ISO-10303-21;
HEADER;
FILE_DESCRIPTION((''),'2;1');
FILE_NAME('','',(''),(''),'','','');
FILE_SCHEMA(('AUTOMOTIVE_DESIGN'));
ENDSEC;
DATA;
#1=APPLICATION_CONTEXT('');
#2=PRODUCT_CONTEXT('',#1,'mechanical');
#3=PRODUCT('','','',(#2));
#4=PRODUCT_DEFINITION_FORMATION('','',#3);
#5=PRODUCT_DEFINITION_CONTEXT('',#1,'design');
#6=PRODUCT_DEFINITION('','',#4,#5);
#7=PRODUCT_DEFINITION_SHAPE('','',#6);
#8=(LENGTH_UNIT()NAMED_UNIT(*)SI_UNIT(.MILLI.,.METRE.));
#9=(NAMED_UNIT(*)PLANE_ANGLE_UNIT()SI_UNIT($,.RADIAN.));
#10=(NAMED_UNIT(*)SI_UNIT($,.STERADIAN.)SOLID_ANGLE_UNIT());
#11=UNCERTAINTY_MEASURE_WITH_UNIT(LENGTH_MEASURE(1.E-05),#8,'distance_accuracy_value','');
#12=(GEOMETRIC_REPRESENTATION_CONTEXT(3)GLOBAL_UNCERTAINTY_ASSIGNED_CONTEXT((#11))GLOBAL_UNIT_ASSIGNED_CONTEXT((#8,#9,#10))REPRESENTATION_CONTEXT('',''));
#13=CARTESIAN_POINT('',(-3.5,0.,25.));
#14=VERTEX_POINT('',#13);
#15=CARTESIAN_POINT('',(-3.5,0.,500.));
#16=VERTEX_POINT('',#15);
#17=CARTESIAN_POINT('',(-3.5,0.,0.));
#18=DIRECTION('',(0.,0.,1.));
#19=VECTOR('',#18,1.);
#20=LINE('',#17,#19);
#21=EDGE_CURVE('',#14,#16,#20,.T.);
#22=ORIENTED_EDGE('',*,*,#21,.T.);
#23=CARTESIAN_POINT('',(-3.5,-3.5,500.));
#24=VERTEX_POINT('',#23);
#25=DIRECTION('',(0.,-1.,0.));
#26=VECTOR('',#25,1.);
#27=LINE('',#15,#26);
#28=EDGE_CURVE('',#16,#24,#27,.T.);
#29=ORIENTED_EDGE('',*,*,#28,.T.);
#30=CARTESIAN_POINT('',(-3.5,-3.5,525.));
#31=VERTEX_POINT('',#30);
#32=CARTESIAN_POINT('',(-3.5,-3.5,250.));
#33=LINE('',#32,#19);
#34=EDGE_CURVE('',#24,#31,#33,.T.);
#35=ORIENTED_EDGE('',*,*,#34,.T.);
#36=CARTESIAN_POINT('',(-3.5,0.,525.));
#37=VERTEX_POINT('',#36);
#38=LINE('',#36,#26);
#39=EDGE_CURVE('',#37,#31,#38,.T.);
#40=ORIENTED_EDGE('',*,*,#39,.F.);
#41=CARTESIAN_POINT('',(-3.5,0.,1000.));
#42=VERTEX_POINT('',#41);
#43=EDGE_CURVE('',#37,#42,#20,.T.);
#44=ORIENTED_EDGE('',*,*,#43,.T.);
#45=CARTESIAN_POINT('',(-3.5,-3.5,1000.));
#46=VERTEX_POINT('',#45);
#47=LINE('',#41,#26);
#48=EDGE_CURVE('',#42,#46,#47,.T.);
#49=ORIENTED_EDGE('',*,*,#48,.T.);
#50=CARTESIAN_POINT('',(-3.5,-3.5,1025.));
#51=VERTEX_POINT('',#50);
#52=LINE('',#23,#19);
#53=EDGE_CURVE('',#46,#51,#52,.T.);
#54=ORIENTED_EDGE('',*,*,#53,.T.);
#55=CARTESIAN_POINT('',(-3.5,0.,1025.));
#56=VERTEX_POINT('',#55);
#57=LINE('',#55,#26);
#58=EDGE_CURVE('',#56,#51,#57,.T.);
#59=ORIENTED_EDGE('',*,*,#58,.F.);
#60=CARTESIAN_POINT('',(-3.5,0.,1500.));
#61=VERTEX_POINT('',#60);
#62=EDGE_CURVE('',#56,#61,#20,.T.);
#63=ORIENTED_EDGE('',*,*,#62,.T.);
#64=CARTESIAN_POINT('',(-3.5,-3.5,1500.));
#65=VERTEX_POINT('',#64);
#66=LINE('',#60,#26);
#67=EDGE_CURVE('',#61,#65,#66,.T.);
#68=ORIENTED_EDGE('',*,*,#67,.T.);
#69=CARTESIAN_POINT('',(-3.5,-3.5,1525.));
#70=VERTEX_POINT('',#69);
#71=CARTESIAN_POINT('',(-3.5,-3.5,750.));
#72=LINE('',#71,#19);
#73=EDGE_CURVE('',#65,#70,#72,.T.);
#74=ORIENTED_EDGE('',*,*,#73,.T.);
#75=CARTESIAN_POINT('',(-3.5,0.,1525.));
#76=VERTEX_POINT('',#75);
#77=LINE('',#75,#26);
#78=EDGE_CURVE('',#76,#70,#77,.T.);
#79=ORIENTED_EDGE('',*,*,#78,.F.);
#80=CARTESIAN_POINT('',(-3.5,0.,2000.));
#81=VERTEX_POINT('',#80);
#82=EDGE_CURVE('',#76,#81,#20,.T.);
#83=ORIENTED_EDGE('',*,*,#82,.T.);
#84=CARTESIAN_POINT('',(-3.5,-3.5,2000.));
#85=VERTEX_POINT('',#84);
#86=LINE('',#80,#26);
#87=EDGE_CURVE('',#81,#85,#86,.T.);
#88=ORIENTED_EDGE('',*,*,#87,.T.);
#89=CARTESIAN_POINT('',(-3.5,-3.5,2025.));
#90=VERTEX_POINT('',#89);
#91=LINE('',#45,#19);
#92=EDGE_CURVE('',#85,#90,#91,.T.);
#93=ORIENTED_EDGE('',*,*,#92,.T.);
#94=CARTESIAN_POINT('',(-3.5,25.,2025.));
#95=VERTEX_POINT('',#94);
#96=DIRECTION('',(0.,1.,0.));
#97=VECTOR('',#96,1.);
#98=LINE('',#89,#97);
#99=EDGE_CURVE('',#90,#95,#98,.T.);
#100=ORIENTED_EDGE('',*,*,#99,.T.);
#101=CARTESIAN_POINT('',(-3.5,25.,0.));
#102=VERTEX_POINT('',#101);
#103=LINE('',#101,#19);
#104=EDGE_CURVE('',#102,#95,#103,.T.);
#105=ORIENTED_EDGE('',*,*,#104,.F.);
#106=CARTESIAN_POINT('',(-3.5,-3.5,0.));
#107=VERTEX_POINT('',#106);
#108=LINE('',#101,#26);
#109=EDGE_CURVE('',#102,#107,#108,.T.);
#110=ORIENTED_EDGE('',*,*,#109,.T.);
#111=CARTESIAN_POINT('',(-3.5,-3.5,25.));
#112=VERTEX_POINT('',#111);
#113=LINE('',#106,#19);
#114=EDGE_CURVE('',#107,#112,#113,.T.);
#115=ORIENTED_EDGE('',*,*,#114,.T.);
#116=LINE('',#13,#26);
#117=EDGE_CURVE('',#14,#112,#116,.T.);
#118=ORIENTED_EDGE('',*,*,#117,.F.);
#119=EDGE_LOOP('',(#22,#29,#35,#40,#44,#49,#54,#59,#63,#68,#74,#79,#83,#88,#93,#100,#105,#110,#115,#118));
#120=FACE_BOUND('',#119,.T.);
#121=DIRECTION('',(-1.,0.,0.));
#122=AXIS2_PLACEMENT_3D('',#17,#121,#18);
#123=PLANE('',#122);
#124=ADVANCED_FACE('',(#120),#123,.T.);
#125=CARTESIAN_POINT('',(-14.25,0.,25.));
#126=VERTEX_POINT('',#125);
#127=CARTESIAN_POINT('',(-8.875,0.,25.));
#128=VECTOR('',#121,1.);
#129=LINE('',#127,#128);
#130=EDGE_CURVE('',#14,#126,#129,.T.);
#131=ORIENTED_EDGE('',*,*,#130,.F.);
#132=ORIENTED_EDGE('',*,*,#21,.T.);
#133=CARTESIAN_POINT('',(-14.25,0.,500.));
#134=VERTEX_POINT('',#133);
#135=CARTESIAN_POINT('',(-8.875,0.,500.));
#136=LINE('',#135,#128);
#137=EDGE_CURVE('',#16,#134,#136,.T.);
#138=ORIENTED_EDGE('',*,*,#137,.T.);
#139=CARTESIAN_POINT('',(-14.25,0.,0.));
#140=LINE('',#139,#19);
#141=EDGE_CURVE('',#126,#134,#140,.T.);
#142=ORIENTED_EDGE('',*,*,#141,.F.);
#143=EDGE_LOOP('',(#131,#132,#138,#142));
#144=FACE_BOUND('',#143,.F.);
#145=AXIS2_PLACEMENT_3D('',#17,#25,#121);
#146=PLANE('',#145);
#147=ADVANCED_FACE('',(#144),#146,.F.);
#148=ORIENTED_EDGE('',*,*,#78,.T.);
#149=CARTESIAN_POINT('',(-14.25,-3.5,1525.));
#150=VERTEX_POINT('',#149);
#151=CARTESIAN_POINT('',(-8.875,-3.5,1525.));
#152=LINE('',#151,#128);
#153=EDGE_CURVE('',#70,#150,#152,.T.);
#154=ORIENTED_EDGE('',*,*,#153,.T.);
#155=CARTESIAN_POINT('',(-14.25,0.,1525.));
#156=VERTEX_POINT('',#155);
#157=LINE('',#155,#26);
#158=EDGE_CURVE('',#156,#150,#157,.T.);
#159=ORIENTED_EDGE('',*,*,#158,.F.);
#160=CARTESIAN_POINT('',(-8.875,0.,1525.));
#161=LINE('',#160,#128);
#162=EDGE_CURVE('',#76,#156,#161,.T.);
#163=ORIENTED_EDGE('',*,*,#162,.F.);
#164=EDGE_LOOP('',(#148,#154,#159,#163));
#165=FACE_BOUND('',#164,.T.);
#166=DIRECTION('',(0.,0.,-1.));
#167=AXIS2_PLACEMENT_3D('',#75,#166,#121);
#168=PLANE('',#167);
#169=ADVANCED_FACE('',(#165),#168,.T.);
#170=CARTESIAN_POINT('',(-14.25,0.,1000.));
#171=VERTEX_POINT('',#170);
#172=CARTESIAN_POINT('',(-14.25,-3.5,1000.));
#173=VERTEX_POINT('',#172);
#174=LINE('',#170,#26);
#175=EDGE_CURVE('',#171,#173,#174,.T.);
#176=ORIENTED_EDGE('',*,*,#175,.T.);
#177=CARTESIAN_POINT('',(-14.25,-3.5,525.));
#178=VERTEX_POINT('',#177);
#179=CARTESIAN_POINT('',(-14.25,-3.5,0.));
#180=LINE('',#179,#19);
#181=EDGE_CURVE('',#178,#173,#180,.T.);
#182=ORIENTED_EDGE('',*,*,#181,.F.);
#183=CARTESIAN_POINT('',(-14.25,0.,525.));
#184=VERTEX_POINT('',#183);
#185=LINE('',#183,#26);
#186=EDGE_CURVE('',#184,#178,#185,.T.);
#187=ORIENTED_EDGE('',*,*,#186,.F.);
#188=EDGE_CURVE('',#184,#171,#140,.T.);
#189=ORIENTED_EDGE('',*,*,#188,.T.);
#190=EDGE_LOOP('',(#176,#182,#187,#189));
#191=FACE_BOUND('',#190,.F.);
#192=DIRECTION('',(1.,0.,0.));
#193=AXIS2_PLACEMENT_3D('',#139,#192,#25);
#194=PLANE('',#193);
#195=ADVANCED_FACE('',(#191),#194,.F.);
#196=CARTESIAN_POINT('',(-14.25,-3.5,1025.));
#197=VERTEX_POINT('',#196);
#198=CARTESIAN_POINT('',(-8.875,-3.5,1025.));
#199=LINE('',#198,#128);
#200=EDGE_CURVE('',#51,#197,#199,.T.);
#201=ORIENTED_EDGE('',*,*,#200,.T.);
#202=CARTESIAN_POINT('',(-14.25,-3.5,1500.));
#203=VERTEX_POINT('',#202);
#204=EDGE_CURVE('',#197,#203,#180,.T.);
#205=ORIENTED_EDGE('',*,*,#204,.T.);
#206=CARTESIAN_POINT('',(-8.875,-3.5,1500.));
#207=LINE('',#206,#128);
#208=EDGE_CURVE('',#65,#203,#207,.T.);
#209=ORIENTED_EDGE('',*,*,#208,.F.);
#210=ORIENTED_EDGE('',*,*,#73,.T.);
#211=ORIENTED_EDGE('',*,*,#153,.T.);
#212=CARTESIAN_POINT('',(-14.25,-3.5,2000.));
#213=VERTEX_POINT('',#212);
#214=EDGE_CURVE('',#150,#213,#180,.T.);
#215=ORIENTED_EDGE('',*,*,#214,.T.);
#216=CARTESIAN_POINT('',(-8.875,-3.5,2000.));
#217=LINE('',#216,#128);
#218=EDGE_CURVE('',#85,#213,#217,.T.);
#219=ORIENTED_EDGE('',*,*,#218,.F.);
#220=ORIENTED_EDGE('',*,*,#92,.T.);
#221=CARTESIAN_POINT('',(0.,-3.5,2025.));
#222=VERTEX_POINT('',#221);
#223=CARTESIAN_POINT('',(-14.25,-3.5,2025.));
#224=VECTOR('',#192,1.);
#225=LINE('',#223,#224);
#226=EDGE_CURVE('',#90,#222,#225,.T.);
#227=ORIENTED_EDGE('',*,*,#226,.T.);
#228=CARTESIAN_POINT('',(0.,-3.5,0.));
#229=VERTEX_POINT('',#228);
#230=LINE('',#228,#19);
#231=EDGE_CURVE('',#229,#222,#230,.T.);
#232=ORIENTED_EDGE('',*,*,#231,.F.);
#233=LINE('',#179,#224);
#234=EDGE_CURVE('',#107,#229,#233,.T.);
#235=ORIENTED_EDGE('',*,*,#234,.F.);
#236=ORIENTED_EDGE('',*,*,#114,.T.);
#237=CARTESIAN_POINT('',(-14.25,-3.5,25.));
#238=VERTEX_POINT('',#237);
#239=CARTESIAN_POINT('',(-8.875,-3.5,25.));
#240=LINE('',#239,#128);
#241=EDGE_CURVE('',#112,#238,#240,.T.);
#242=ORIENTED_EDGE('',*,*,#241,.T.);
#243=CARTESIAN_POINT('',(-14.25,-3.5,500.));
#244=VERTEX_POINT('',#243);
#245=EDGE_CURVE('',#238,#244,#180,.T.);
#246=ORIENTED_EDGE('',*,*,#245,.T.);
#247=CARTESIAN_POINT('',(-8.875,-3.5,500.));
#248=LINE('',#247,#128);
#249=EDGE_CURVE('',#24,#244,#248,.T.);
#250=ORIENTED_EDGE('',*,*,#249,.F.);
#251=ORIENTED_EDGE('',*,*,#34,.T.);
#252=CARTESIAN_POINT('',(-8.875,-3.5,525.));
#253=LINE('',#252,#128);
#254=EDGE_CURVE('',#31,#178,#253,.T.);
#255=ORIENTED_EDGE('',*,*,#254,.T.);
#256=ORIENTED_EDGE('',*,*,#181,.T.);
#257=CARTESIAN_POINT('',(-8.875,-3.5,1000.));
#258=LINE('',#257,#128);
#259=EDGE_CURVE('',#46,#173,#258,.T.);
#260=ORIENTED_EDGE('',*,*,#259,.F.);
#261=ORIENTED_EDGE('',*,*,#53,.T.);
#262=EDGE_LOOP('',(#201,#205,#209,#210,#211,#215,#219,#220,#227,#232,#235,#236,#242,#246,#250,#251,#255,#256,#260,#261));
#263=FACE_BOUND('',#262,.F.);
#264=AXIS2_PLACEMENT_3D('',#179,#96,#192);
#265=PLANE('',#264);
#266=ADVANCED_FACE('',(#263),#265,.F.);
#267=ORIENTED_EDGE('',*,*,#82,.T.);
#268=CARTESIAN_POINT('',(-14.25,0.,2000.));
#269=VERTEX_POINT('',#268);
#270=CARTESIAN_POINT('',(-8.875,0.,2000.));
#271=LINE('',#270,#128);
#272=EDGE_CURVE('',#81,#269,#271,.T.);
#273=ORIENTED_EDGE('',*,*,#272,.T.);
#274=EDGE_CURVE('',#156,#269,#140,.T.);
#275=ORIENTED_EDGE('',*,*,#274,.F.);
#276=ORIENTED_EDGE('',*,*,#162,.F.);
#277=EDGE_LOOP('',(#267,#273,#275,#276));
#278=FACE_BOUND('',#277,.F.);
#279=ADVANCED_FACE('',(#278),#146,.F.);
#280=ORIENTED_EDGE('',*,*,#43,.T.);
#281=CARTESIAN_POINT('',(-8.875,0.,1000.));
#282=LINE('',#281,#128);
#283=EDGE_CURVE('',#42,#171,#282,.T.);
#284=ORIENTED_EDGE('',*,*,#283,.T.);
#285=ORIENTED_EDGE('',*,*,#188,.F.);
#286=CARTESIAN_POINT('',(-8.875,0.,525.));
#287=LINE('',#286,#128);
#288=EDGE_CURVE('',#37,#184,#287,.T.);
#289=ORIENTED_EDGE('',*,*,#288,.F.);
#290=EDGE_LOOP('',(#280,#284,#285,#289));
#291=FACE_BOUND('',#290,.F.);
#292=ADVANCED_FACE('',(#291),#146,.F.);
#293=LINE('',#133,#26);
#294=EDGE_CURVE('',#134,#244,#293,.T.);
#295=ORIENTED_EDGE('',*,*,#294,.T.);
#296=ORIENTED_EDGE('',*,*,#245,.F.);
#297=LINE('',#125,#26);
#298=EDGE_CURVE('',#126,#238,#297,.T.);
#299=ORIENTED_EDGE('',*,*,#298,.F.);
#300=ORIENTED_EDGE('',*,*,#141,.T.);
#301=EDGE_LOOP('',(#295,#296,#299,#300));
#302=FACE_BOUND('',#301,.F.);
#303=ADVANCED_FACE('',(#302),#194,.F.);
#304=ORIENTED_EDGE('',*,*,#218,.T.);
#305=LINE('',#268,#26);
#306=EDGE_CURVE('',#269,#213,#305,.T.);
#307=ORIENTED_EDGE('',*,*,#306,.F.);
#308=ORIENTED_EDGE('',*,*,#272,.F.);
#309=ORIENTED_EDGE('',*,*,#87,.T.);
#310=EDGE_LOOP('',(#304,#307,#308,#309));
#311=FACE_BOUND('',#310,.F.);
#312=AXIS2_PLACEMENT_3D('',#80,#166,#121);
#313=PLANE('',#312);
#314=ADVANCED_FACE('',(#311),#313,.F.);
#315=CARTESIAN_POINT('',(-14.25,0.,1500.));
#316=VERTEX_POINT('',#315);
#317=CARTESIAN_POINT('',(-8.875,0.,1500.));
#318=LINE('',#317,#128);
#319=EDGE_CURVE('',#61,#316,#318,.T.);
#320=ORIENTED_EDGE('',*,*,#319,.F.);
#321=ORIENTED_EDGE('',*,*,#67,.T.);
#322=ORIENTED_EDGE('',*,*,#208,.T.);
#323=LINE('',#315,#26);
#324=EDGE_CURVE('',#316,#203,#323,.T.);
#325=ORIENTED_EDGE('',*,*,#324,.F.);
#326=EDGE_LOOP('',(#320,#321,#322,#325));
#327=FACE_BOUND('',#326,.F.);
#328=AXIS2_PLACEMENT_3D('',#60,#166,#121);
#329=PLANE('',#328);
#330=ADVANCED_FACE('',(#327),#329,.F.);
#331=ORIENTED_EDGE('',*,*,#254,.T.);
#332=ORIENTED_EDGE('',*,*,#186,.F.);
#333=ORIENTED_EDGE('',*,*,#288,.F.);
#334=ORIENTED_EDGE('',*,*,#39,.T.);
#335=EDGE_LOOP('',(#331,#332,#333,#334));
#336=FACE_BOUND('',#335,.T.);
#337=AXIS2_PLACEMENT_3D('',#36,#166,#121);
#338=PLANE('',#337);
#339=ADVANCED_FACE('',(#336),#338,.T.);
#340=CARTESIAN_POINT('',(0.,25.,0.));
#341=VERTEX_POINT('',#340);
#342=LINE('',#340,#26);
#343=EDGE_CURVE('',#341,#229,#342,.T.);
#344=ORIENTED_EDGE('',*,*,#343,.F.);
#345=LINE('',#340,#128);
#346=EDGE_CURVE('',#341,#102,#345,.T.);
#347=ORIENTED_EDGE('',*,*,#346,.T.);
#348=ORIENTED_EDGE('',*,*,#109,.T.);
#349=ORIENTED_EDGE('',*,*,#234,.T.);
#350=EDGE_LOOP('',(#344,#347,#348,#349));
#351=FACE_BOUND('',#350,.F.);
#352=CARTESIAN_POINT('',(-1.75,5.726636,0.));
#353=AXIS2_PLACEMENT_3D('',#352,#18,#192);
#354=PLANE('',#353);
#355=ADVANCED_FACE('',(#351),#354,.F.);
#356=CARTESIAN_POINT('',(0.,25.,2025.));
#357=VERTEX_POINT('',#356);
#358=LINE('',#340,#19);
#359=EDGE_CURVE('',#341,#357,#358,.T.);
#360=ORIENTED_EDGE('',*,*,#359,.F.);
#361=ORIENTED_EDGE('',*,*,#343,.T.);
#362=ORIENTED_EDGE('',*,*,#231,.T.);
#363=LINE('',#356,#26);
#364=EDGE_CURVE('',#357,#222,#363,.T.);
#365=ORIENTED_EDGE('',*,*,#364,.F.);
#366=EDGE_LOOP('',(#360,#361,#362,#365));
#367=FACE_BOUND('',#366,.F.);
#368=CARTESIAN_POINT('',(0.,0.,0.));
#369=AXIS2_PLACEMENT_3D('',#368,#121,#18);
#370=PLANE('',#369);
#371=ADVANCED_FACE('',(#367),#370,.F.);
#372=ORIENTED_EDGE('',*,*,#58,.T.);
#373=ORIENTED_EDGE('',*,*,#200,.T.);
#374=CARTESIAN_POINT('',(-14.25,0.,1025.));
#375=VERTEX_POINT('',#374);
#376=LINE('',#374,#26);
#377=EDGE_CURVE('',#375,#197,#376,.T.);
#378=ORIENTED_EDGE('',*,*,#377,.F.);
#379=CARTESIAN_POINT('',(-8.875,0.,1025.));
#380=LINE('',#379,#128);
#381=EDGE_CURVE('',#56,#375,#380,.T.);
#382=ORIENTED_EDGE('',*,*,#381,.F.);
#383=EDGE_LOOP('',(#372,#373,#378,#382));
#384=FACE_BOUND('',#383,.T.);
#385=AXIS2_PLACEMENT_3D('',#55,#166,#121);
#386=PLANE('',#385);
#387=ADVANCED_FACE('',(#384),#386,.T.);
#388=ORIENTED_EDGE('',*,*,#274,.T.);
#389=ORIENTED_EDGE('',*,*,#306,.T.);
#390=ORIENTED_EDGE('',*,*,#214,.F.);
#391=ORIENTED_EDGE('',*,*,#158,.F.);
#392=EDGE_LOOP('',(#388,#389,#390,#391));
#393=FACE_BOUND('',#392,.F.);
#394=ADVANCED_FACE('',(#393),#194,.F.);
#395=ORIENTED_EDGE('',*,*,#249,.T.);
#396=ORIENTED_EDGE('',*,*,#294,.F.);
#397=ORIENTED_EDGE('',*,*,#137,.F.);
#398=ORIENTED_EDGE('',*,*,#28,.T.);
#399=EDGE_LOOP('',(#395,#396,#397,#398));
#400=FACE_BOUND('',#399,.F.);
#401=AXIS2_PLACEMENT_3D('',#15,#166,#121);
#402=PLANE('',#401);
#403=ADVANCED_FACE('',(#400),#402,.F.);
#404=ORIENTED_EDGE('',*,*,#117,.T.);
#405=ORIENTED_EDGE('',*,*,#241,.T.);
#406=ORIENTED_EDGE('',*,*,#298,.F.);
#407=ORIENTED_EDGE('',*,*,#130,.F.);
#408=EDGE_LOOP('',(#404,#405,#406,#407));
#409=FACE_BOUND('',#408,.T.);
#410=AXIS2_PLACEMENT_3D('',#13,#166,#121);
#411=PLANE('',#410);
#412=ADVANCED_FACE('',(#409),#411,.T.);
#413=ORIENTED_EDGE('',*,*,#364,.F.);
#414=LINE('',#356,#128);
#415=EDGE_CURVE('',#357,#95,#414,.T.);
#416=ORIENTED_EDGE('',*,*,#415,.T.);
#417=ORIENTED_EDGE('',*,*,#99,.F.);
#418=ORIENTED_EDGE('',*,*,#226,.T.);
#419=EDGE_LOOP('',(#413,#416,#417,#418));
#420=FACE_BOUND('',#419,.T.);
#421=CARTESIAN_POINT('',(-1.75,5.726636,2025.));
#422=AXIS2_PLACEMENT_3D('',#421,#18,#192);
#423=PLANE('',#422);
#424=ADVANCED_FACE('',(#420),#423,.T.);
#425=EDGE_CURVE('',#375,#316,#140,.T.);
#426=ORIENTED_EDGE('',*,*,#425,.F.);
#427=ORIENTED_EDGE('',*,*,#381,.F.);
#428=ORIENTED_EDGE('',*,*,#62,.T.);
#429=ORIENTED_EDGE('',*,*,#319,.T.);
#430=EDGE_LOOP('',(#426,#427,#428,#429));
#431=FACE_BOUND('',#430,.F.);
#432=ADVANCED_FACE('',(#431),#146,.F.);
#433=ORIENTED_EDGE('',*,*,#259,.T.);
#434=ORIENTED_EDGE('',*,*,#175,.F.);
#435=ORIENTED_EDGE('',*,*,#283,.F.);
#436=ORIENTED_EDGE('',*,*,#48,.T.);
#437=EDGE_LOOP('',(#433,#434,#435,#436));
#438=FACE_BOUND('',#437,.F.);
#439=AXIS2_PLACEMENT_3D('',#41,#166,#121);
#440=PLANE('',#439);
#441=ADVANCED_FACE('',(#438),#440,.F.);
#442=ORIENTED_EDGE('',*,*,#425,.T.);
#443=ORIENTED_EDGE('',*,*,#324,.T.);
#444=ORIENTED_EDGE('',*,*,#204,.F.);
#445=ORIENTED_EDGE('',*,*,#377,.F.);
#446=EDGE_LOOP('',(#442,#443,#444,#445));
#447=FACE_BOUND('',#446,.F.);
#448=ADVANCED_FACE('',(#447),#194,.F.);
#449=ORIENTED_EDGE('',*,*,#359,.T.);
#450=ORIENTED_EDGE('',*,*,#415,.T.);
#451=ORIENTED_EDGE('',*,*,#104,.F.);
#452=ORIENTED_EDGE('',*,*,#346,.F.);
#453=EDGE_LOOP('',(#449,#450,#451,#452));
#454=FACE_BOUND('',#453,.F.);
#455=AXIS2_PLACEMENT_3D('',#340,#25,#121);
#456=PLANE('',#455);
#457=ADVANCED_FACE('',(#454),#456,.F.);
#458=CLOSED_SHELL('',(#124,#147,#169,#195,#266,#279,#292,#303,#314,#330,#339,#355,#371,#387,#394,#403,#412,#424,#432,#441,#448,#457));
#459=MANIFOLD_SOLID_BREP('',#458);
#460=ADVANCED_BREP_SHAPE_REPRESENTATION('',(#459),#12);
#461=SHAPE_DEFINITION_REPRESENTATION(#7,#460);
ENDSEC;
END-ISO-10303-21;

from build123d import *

# Parameters (mm, degrees)
F1_DEPTH = 2025
F2_W     = 10.75
F2_H     = 25
F3_DEPTH = 3.501
F4_W     = 10.75
F4_H     = 3.5
F5_DEPTH = 2000.001


with BuildPart() as f1:
    # F0 (on Top) → F1 (new body)
    with BuildSketch(Plane.XY):
        Polygon((-14.25, 0), (-14.25, -3.5), (10.75, -3.5), (10.75, 0), (0, 0), (0, 25), (-3.5, 25), (-3.5, 0), align=None)
    extrude(amount=F1_DEPTH)

    # F2 (on face) → F3 (cut, through all)
    with BuildSketch(Plane(origin=(0, 0, 0), x_dir=(-1, 0, 0), z_dir=(0, 1, 0))):
        with Locations((8.875, 12.5)):
            Rectangle(F2_W, F2_H)
        Polygon((-10.75, 2012.5), (-10.75, 2000), (0, 2000), (0, 2025), (-10.75, 2025), align=None)
        Polygon((-10.75, 1512.5), (-10.75, 1500), (0, 1500), (0, 1525), (-10.75, 1525), align=None)
        Polygon((-10.75, 1012.5), (-10.75, 1000), (0, 1000), (0, 1025), (-10.75, 1025), align=None)
        Polygon((-10.75, 512.5), (-10.75, 500), (0, 500), (0, 525), (-10.75, 525), align=None)
        Polygon((-10.75, 0), (0, 0), (0, 25), (-10.75, 25), (-10.75, 12.5), align=None)
        with Locations((8.875, 2012.5)):
            Rectangle(F2_W, F2_H)
        with Locations((8.875, 1512.5)):
            Rectangle(F2_W, F2_H)
        with Locations((8.875, 1012.5)):
            Rectangle(F2_W, F2_H)
        with Locations((8.875, 512.5)):
            Rectangle(F2_W, F2_H)
    extrude(amount=-F3_DEPTH, mode=Mode.SUBTRACT)

    # F4 (on face) → F5 (cut, through all)
    with BuildSketch(Plane.XY.offset(2000)):
        with Locations((5.375, -1.75)):
            Rectangle(F4_W, F4_H)
    extrude(amount=-F5_DEPTH, mode=Mode.SUBTRACT)


solid = f1.part
